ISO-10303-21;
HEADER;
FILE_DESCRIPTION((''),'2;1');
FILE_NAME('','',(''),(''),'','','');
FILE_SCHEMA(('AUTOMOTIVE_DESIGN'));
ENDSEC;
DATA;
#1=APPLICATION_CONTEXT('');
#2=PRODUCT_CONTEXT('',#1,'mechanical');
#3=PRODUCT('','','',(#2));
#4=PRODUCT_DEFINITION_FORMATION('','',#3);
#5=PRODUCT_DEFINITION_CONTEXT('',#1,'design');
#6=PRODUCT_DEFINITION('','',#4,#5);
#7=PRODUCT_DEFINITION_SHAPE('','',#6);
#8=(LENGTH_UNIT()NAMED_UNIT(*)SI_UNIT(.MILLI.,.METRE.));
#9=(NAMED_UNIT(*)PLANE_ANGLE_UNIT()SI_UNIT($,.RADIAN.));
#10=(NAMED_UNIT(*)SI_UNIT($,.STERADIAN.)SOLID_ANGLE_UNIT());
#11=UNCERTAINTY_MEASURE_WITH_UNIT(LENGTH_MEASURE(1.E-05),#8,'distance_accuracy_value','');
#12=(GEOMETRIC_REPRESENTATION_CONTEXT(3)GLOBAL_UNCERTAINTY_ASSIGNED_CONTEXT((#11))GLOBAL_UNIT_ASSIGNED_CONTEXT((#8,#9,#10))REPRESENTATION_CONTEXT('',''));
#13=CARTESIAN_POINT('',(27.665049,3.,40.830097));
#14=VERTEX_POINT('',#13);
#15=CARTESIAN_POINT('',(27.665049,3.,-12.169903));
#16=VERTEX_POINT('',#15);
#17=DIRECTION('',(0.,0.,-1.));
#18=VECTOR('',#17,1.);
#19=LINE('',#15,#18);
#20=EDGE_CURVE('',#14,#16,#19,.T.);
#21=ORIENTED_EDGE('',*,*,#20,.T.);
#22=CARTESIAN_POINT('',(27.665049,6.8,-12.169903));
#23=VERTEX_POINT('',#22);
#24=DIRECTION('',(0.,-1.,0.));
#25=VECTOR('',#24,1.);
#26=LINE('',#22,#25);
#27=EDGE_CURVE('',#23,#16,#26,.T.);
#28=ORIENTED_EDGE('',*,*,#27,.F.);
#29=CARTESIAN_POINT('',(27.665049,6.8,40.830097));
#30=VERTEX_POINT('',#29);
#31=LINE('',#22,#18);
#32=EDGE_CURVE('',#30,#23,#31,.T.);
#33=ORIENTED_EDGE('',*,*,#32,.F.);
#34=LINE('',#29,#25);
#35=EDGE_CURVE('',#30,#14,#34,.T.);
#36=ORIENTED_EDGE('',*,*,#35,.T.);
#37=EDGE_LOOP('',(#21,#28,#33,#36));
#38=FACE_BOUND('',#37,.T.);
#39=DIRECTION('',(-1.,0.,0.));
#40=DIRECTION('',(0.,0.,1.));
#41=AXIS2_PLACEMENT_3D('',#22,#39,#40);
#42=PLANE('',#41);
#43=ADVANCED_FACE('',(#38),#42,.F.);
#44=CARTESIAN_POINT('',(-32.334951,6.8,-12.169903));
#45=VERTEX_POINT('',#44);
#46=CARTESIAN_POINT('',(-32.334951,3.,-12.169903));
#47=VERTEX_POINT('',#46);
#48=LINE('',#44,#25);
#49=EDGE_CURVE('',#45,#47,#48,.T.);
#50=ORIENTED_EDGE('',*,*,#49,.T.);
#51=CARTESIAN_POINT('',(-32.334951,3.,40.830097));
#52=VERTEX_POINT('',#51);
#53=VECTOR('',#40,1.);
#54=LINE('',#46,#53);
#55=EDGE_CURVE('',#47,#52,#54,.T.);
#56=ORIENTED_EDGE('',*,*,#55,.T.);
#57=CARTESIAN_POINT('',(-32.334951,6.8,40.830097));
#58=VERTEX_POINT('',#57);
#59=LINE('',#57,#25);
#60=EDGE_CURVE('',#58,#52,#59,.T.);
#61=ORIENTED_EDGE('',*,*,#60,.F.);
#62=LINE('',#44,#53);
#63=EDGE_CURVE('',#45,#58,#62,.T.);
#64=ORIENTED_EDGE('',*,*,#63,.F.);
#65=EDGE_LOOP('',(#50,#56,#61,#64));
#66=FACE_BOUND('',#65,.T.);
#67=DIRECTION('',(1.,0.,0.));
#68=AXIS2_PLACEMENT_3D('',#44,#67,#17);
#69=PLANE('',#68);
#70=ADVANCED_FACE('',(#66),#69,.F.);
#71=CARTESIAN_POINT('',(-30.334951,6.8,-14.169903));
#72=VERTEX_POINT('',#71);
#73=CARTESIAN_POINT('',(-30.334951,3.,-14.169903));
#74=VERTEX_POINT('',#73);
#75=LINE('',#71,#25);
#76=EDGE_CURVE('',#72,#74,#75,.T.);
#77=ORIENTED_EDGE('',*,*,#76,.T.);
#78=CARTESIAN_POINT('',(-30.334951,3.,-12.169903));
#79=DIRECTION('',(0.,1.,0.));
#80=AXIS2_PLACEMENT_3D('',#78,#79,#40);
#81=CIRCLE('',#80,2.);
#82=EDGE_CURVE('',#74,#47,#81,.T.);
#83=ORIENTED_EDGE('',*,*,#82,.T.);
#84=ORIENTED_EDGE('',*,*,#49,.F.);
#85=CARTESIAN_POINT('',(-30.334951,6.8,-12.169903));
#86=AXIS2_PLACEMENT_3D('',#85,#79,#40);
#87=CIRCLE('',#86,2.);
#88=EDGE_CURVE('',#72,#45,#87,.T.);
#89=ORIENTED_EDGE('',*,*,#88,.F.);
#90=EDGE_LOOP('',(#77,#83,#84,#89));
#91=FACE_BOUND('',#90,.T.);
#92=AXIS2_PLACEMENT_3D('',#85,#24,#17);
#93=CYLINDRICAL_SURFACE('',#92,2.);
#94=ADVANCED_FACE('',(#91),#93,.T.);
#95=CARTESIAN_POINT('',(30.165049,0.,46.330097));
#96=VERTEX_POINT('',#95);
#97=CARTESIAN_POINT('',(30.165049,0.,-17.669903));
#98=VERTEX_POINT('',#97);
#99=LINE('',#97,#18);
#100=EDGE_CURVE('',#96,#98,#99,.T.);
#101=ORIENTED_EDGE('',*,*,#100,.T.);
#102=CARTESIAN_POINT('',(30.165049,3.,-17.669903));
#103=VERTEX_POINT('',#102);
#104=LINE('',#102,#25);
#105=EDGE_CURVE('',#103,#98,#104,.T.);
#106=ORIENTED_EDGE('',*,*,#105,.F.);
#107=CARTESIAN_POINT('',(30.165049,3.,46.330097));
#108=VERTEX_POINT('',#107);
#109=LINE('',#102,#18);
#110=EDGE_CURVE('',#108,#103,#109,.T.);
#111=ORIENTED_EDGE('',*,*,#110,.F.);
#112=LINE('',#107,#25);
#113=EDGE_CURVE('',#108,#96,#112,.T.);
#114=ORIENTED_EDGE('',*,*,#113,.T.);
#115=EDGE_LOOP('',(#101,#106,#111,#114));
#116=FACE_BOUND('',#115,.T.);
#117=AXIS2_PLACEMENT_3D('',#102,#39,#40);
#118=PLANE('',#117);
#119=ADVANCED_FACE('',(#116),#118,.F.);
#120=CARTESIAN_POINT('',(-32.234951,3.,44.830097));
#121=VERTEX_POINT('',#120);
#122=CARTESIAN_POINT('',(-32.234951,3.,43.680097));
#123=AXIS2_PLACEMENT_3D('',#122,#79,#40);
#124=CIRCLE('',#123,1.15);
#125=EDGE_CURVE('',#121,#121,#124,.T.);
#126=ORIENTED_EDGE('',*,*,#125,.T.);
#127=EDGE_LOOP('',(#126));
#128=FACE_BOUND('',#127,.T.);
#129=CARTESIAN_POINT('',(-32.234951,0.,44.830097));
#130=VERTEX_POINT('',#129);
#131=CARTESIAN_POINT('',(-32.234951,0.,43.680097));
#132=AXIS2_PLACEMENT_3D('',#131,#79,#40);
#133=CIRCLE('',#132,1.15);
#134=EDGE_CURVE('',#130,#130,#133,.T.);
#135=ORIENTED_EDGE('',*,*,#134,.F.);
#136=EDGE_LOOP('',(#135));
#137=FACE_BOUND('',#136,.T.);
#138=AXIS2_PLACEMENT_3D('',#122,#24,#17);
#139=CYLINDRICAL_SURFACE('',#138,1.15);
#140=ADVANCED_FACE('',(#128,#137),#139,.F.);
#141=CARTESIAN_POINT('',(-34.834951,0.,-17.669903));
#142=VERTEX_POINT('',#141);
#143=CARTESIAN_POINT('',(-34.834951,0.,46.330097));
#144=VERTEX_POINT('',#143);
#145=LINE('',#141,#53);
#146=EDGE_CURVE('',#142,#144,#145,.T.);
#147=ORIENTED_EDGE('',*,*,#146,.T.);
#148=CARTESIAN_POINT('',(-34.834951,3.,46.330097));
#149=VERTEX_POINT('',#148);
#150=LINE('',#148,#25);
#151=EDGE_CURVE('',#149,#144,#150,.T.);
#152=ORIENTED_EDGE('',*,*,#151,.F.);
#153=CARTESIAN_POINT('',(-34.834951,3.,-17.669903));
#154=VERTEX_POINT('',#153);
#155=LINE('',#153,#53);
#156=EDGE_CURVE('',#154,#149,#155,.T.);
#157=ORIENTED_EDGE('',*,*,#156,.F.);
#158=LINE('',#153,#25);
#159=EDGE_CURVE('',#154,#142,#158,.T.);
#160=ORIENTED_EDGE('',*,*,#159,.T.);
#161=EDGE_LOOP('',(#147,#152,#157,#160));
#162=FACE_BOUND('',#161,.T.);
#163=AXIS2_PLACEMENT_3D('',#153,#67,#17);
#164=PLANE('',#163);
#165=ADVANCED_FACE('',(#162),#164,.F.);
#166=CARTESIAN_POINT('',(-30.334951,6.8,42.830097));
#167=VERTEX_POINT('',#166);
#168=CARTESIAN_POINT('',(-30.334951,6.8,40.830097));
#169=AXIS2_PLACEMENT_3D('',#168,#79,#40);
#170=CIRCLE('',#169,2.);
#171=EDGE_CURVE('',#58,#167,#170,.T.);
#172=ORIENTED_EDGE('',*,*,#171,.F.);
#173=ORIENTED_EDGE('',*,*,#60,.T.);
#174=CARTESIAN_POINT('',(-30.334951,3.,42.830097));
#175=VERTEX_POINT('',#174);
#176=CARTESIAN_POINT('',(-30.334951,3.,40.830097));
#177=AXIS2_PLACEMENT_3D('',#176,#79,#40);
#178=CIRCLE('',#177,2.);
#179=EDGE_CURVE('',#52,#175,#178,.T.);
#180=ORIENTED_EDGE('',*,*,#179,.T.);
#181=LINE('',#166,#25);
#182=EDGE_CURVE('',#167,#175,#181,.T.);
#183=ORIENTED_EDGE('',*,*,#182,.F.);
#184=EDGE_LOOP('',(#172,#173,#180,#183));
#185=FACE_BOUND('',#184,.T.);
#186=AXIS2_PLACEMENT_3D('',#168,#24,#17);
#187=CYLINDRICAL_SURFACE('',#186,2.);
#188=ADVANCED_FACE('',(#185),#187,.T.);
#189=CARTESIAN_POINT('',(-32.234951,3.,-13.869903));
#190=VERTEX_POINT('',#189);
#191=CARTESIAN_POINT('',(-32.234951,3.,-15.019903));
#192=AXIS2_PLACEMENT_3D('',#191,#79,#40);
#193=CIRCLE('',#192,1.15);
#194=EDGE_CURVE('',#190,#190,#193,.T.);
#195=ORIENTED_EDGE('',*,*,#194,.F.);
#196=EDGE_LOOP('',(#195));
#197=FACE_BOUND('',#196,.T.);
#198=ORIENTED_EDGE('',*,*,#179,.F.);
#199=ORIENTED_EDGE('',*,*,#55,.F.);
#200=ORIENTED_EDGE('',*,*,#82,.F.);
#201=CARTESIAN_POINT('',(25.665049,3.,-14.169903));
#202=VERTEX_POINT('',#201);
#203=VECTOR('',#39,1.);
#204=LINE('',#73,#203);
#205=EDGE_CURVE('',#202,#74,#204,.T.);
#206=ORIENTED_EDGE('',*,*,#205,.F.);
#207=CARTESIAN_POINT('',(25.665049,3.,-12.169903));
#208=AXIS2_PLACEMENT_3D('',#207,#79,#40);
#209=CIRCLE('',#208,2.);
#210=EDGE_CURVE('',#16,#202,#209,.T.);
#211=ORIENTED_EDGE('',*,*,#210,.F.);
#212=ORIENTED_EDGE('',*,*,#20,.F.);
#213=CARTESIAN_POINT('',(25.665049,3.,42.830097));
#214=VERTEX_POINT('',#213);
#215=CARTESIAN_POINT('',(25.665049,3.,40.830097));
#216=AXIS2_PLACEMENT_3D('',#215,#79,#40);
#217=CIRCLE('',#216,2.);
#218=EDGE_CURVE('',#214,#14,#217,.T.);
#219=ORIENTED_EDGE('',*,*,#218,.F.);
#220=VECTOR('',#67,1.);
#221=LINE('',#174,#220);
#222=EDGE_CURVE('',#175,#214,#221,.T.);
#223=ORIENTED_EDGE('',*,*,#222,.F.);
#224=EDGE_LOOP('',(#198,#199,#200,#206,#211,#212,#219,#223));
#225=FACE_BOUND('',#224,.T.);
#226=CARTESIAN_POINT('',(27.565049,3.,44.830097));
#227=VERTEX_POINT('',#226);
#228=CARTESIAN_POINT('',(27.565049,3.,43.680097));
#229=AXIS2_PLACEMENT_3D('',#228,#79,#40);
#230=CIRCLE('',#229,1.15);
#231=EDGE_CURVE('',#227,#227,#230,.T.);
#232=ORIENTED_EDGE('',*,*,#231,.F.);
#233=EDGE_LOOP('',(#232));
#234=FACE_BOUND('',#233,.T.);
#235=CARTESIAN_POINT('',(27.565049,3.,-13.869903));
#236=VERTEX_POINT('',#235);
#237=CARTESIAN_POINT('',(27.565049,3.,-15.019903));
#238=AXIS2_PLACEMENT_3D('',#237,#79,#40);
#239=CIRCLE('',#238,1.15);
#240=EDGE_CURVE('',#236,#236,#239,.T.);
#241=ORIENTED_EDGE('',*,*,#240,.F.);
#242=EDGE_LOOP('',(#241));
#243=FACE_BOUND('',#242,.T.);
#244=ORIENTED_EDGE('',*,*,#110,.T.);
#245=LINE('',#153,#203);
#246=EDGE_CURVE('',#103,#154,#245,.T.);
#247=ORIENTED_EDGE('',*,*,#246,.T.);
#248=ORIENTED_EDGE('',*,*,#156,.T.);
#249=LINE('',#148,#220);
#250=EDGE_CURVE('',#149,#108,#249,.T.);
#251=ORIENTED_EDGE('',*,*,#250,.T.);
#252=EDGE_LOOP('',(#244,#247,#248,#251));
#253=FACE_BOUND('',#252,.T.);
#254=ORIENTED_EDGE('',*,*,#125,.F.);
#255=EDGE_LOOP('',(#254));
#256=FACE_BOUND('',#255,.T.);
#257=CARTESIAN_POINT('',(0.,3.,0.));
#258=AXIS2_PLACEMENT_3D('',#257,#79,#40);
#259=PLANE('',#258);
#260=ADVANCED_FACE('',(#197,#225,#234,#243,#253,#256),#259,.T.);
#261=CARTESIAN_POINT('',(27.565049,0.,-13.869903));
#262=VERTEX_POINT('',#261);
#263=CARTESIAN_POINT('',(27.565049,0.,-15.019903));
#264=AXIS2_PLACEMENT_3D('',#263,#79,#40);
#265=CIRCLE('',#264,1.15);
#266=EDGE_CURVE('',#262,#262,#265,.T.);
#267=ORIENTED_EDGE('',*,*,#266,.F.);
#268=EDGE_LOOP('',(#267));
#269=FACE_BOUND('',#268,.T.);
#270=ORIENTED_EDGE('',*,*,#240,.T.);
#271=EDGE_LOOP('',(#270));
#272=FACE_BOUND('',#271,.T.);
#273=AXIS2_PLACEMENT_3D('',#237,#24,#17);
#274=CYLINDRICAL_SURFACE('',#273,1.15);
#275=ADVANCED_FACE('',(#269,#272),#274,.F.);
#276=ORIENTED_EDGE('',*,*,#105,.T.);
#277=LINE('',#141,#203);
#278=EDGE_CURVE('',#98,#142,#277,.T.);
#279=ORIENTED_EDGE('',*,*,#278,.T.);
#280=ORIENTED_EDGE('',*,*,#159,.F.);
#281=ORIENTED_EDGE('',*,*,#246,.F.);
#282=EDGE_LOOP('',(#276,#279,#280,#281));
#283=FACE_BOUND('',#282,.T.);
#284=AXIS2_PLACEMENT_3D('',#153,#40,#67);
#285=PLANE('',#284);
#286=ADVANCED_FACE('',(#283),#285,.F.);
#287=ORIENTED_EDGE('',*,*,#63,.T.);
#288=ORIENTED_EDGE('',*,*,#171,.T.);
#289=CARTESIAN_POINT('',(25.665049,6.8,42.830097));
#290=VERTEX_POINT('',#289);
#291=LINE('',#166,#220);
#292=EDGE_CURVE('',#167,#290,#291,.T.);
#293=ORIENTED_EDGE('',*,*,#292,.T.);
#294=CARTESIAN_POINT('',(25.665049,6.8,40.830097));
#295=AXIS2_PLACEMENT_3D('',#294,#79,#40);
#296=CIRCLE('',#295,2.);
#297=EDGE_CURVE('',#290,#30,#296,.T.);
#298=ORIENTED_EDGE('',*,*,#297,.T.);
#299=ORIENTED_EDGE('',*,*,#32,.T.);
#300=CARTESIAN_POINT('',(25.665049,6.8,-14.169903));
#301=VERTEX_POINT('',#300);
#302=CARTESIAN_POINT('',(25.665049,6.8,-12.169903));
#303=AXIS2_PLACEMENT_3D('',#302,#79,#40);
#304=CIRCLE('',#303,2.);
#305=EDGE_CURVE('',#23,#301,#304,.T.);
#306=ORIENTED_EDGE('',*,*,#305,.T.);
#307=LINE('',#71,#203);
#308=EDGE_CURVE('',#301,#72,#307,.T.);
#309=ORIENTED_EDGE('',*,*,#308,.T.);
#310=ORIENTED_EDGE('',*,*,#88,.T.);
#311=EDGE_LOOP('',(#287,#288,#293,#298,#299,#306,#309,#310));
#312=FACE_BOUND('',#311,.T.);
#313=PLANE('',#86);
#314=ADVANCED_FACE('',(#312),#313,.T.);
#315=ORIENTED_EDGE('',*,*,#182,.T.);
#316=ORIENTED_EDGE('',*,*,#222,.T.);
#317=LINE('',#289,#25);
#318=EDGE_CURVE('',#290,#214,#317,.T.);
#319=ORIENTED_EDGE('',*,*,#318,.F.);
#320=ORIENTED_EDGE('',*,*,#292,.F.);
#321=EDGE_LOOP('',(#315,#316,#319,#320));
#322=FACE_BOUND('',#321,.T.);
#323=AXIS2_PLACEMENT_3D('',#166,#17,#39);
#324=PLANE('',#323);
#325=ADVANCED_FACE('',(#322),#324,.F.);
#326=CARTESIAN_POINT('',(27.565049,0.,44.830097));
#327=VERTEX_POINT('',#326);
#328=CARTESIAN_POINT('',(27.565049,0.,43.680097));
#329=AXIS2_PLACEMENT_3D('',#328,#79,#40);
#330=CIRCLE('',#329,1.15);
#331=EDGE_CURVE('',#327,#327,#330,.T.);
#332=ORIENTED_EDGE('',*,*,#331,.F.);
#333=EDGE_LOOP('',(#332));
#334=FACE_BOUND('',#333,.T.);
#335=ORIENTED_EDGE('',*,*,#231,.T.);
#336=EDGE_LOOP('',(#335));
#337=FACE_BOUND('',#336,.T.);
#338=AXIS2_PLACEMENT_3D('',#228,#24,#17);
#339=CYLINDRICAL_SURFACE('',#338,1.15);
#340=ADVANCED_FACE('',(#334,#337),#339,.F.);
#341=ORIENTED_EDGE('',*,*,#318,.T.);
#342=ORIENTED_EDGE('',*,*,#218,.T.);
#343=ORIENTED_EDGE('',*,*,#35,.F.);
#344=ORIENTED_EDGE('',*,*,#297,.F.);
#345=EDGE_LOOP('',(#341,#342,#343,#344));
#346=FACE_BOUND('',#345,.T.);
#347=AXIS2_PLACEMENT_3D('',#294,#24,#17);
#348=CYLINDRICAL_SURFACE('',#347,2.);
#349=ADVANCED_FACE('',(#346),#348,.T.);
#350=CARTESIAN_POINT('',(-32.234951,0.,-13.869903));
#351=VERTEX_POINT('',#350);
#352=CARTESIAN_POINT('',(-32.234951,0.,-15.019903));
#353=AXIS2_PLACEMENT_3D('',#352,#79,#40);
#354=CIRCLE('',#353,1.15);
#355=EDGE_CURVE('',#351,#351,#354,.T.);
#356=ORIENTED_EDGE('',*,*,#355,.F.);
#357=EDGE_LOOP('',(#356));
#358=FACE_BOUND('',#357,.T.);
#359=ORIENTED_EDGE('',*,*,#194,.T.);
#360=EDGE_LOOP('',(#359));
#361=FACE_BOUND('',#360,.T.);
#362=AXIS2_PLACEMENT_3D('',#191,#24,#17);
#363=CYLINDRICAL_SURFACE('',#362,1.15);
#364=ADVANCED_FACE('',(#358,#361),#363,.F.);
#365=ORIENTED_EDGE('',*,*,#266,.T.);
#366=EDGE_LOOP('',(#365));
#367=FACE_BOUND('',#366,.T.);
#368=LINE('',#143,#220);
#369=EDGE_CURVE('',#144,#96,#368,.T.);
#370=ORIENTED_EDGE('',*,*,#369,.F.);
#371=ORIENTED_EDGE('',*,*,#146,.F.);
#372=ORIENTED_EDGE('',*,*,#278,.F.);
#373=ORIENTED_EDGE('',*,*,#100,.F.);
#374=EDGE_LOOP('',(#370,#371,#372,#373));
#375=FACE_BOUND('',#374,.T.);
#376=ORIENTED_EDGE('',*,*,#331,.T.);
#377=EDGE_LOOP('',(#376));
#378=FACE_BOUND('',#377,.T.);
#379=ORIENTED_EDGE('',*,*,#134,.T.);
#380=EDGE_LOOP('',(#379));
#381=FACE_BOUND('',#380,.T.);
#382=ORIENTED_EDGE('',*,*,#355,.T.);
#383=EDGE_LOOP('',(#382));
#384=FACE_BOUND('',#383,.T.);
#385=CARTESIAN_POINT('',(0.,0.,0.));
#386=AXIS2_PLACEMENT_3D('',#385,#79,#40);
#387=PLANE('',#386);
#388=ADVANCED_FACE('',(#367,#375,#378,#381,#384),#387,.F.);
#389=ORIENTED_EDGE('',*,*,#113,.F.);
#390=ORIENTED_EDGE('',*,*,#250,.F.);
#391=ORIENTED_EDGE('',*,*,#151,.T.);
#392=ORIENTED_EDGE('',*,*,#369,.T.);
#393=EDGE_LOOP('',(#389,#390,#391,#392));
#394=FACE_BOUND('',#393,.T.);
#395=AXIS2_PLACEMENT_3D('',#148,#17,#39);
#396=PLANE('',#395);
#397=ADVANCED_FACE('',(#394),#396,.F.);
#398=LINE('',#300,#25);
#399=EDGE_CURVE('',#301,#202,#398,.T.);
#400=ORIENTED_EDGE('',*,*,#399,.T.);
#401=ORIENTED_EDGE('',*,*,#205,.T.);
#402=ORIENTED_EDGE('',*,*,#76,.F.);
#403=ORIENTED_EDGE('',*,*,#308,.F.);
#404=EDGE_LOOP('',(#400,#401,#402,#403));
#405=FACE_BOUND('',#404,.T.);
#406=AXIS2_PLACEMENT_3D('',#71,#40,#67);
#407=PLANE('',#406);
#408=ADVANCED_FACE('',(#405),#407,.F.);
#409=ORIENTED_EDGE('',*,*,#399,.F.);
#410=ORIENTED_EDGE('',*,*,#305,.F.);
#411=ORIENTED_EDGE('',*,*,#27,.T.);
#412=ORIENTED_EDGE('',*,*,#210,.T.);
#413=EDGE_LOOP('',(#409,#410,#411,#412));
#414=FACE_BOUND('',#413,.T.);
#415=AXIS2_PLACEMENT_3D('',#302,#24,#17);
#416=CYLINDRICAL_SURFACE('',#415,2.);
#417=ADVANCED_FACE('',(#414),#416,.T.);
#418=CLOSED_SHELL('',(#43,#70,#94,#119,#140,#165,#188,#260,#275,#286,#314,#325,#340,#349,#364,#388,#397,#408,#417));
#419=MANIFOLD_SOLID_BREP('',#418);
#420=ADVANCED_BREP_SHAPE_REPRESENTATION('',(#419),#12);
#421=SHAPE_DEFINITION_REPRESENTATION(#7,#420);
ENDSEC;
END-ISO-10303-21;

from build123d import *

# Parameters (mm, degrees)
SKETCH1_W           = 65
SKETCH1_H           = 64
SKETCH1_R           = 1.15
BOSS_EXTRUDE1_DEPTH = 3
BOSS_EXTRUDE2_DEPTH = 3.8


with BuildPart() as part:
    # Sketch1 → Boss-Extrude1 (new body)
    with BuildSketch(Plane(origin=(0, 0, 0), x_dir=(1, 0, 0), z_dir=(0, 1, 0))):
        with Locations((-2.334951456, -14.330097087)):
            Rectangle(SKETCH1_W, SKETCH1_H)
        with Locations(Location((-32.234951456, 15.019902913, 0), (0, 0, 270))):
            Circle(SKETCH1_R, mode=Mode.SUBTRACT)
        with Locations(Location((27.565048544, 15.019902913, 0), (0, 0, 270))):
            Circle(SKETCH1_R, mode=Mode.SUBTRACT)
        with Locations(Location((-32.234951456, -43.680097087, 0), (0, 0, 270))):
            Circle(SKETCH1_R, mode=Mode.SUBTRACT)
        with Locations(Location((27.565048544, -43.680097087, 0), (0, 0, 270))):
            Circle(SKETCH1_R, mode=Mode.SUBTRACT)
    extrude(amount=BOSS_EXTRUDE1_DEPTH)

    # Sketch2 → Boss-Extrude2 (add)
    with BuildSketch(Plane(origin=(0, 3, 0), x_dir=(1, 0, 0), z_dir=(0, 1, 0))):
        with BuildLine():
            Line((-30.334951456, 14.169902913), (25.665048544, 14.169902913))
            ThreePointArc((25.665048544, 14.169902913), (27.079262106, 13.584116475), (27.665048544, 12.169902913))
            Line((27.665048544, 12.169902913), (27.665048544, -40.830097087))
            ThreePointArc((27.665048544, -40.830097087), (27.079262106, -42.24431065), (25.665048544, -42.830097087))
            Line((25.665048544, -42.830097087), (-30.334951456, -42.830097087))
            ThreePointArc((-30.334951456, -42.830097087), (-31.749165019, -42.24431065), (-32.334951456, -40.830097087))
            Line((-32.334951456, -40.830097087), (-32.334951456, 12.169902913))
            ThreePointArc((-32.334951456, 12.169902913), (-31.749165019, 13.584116475), (-30.334951456, 14.169902913))
        make_face()
    extrude(amount=BOSS_EXTRUDE2_DEPTH)


solid = part.part
